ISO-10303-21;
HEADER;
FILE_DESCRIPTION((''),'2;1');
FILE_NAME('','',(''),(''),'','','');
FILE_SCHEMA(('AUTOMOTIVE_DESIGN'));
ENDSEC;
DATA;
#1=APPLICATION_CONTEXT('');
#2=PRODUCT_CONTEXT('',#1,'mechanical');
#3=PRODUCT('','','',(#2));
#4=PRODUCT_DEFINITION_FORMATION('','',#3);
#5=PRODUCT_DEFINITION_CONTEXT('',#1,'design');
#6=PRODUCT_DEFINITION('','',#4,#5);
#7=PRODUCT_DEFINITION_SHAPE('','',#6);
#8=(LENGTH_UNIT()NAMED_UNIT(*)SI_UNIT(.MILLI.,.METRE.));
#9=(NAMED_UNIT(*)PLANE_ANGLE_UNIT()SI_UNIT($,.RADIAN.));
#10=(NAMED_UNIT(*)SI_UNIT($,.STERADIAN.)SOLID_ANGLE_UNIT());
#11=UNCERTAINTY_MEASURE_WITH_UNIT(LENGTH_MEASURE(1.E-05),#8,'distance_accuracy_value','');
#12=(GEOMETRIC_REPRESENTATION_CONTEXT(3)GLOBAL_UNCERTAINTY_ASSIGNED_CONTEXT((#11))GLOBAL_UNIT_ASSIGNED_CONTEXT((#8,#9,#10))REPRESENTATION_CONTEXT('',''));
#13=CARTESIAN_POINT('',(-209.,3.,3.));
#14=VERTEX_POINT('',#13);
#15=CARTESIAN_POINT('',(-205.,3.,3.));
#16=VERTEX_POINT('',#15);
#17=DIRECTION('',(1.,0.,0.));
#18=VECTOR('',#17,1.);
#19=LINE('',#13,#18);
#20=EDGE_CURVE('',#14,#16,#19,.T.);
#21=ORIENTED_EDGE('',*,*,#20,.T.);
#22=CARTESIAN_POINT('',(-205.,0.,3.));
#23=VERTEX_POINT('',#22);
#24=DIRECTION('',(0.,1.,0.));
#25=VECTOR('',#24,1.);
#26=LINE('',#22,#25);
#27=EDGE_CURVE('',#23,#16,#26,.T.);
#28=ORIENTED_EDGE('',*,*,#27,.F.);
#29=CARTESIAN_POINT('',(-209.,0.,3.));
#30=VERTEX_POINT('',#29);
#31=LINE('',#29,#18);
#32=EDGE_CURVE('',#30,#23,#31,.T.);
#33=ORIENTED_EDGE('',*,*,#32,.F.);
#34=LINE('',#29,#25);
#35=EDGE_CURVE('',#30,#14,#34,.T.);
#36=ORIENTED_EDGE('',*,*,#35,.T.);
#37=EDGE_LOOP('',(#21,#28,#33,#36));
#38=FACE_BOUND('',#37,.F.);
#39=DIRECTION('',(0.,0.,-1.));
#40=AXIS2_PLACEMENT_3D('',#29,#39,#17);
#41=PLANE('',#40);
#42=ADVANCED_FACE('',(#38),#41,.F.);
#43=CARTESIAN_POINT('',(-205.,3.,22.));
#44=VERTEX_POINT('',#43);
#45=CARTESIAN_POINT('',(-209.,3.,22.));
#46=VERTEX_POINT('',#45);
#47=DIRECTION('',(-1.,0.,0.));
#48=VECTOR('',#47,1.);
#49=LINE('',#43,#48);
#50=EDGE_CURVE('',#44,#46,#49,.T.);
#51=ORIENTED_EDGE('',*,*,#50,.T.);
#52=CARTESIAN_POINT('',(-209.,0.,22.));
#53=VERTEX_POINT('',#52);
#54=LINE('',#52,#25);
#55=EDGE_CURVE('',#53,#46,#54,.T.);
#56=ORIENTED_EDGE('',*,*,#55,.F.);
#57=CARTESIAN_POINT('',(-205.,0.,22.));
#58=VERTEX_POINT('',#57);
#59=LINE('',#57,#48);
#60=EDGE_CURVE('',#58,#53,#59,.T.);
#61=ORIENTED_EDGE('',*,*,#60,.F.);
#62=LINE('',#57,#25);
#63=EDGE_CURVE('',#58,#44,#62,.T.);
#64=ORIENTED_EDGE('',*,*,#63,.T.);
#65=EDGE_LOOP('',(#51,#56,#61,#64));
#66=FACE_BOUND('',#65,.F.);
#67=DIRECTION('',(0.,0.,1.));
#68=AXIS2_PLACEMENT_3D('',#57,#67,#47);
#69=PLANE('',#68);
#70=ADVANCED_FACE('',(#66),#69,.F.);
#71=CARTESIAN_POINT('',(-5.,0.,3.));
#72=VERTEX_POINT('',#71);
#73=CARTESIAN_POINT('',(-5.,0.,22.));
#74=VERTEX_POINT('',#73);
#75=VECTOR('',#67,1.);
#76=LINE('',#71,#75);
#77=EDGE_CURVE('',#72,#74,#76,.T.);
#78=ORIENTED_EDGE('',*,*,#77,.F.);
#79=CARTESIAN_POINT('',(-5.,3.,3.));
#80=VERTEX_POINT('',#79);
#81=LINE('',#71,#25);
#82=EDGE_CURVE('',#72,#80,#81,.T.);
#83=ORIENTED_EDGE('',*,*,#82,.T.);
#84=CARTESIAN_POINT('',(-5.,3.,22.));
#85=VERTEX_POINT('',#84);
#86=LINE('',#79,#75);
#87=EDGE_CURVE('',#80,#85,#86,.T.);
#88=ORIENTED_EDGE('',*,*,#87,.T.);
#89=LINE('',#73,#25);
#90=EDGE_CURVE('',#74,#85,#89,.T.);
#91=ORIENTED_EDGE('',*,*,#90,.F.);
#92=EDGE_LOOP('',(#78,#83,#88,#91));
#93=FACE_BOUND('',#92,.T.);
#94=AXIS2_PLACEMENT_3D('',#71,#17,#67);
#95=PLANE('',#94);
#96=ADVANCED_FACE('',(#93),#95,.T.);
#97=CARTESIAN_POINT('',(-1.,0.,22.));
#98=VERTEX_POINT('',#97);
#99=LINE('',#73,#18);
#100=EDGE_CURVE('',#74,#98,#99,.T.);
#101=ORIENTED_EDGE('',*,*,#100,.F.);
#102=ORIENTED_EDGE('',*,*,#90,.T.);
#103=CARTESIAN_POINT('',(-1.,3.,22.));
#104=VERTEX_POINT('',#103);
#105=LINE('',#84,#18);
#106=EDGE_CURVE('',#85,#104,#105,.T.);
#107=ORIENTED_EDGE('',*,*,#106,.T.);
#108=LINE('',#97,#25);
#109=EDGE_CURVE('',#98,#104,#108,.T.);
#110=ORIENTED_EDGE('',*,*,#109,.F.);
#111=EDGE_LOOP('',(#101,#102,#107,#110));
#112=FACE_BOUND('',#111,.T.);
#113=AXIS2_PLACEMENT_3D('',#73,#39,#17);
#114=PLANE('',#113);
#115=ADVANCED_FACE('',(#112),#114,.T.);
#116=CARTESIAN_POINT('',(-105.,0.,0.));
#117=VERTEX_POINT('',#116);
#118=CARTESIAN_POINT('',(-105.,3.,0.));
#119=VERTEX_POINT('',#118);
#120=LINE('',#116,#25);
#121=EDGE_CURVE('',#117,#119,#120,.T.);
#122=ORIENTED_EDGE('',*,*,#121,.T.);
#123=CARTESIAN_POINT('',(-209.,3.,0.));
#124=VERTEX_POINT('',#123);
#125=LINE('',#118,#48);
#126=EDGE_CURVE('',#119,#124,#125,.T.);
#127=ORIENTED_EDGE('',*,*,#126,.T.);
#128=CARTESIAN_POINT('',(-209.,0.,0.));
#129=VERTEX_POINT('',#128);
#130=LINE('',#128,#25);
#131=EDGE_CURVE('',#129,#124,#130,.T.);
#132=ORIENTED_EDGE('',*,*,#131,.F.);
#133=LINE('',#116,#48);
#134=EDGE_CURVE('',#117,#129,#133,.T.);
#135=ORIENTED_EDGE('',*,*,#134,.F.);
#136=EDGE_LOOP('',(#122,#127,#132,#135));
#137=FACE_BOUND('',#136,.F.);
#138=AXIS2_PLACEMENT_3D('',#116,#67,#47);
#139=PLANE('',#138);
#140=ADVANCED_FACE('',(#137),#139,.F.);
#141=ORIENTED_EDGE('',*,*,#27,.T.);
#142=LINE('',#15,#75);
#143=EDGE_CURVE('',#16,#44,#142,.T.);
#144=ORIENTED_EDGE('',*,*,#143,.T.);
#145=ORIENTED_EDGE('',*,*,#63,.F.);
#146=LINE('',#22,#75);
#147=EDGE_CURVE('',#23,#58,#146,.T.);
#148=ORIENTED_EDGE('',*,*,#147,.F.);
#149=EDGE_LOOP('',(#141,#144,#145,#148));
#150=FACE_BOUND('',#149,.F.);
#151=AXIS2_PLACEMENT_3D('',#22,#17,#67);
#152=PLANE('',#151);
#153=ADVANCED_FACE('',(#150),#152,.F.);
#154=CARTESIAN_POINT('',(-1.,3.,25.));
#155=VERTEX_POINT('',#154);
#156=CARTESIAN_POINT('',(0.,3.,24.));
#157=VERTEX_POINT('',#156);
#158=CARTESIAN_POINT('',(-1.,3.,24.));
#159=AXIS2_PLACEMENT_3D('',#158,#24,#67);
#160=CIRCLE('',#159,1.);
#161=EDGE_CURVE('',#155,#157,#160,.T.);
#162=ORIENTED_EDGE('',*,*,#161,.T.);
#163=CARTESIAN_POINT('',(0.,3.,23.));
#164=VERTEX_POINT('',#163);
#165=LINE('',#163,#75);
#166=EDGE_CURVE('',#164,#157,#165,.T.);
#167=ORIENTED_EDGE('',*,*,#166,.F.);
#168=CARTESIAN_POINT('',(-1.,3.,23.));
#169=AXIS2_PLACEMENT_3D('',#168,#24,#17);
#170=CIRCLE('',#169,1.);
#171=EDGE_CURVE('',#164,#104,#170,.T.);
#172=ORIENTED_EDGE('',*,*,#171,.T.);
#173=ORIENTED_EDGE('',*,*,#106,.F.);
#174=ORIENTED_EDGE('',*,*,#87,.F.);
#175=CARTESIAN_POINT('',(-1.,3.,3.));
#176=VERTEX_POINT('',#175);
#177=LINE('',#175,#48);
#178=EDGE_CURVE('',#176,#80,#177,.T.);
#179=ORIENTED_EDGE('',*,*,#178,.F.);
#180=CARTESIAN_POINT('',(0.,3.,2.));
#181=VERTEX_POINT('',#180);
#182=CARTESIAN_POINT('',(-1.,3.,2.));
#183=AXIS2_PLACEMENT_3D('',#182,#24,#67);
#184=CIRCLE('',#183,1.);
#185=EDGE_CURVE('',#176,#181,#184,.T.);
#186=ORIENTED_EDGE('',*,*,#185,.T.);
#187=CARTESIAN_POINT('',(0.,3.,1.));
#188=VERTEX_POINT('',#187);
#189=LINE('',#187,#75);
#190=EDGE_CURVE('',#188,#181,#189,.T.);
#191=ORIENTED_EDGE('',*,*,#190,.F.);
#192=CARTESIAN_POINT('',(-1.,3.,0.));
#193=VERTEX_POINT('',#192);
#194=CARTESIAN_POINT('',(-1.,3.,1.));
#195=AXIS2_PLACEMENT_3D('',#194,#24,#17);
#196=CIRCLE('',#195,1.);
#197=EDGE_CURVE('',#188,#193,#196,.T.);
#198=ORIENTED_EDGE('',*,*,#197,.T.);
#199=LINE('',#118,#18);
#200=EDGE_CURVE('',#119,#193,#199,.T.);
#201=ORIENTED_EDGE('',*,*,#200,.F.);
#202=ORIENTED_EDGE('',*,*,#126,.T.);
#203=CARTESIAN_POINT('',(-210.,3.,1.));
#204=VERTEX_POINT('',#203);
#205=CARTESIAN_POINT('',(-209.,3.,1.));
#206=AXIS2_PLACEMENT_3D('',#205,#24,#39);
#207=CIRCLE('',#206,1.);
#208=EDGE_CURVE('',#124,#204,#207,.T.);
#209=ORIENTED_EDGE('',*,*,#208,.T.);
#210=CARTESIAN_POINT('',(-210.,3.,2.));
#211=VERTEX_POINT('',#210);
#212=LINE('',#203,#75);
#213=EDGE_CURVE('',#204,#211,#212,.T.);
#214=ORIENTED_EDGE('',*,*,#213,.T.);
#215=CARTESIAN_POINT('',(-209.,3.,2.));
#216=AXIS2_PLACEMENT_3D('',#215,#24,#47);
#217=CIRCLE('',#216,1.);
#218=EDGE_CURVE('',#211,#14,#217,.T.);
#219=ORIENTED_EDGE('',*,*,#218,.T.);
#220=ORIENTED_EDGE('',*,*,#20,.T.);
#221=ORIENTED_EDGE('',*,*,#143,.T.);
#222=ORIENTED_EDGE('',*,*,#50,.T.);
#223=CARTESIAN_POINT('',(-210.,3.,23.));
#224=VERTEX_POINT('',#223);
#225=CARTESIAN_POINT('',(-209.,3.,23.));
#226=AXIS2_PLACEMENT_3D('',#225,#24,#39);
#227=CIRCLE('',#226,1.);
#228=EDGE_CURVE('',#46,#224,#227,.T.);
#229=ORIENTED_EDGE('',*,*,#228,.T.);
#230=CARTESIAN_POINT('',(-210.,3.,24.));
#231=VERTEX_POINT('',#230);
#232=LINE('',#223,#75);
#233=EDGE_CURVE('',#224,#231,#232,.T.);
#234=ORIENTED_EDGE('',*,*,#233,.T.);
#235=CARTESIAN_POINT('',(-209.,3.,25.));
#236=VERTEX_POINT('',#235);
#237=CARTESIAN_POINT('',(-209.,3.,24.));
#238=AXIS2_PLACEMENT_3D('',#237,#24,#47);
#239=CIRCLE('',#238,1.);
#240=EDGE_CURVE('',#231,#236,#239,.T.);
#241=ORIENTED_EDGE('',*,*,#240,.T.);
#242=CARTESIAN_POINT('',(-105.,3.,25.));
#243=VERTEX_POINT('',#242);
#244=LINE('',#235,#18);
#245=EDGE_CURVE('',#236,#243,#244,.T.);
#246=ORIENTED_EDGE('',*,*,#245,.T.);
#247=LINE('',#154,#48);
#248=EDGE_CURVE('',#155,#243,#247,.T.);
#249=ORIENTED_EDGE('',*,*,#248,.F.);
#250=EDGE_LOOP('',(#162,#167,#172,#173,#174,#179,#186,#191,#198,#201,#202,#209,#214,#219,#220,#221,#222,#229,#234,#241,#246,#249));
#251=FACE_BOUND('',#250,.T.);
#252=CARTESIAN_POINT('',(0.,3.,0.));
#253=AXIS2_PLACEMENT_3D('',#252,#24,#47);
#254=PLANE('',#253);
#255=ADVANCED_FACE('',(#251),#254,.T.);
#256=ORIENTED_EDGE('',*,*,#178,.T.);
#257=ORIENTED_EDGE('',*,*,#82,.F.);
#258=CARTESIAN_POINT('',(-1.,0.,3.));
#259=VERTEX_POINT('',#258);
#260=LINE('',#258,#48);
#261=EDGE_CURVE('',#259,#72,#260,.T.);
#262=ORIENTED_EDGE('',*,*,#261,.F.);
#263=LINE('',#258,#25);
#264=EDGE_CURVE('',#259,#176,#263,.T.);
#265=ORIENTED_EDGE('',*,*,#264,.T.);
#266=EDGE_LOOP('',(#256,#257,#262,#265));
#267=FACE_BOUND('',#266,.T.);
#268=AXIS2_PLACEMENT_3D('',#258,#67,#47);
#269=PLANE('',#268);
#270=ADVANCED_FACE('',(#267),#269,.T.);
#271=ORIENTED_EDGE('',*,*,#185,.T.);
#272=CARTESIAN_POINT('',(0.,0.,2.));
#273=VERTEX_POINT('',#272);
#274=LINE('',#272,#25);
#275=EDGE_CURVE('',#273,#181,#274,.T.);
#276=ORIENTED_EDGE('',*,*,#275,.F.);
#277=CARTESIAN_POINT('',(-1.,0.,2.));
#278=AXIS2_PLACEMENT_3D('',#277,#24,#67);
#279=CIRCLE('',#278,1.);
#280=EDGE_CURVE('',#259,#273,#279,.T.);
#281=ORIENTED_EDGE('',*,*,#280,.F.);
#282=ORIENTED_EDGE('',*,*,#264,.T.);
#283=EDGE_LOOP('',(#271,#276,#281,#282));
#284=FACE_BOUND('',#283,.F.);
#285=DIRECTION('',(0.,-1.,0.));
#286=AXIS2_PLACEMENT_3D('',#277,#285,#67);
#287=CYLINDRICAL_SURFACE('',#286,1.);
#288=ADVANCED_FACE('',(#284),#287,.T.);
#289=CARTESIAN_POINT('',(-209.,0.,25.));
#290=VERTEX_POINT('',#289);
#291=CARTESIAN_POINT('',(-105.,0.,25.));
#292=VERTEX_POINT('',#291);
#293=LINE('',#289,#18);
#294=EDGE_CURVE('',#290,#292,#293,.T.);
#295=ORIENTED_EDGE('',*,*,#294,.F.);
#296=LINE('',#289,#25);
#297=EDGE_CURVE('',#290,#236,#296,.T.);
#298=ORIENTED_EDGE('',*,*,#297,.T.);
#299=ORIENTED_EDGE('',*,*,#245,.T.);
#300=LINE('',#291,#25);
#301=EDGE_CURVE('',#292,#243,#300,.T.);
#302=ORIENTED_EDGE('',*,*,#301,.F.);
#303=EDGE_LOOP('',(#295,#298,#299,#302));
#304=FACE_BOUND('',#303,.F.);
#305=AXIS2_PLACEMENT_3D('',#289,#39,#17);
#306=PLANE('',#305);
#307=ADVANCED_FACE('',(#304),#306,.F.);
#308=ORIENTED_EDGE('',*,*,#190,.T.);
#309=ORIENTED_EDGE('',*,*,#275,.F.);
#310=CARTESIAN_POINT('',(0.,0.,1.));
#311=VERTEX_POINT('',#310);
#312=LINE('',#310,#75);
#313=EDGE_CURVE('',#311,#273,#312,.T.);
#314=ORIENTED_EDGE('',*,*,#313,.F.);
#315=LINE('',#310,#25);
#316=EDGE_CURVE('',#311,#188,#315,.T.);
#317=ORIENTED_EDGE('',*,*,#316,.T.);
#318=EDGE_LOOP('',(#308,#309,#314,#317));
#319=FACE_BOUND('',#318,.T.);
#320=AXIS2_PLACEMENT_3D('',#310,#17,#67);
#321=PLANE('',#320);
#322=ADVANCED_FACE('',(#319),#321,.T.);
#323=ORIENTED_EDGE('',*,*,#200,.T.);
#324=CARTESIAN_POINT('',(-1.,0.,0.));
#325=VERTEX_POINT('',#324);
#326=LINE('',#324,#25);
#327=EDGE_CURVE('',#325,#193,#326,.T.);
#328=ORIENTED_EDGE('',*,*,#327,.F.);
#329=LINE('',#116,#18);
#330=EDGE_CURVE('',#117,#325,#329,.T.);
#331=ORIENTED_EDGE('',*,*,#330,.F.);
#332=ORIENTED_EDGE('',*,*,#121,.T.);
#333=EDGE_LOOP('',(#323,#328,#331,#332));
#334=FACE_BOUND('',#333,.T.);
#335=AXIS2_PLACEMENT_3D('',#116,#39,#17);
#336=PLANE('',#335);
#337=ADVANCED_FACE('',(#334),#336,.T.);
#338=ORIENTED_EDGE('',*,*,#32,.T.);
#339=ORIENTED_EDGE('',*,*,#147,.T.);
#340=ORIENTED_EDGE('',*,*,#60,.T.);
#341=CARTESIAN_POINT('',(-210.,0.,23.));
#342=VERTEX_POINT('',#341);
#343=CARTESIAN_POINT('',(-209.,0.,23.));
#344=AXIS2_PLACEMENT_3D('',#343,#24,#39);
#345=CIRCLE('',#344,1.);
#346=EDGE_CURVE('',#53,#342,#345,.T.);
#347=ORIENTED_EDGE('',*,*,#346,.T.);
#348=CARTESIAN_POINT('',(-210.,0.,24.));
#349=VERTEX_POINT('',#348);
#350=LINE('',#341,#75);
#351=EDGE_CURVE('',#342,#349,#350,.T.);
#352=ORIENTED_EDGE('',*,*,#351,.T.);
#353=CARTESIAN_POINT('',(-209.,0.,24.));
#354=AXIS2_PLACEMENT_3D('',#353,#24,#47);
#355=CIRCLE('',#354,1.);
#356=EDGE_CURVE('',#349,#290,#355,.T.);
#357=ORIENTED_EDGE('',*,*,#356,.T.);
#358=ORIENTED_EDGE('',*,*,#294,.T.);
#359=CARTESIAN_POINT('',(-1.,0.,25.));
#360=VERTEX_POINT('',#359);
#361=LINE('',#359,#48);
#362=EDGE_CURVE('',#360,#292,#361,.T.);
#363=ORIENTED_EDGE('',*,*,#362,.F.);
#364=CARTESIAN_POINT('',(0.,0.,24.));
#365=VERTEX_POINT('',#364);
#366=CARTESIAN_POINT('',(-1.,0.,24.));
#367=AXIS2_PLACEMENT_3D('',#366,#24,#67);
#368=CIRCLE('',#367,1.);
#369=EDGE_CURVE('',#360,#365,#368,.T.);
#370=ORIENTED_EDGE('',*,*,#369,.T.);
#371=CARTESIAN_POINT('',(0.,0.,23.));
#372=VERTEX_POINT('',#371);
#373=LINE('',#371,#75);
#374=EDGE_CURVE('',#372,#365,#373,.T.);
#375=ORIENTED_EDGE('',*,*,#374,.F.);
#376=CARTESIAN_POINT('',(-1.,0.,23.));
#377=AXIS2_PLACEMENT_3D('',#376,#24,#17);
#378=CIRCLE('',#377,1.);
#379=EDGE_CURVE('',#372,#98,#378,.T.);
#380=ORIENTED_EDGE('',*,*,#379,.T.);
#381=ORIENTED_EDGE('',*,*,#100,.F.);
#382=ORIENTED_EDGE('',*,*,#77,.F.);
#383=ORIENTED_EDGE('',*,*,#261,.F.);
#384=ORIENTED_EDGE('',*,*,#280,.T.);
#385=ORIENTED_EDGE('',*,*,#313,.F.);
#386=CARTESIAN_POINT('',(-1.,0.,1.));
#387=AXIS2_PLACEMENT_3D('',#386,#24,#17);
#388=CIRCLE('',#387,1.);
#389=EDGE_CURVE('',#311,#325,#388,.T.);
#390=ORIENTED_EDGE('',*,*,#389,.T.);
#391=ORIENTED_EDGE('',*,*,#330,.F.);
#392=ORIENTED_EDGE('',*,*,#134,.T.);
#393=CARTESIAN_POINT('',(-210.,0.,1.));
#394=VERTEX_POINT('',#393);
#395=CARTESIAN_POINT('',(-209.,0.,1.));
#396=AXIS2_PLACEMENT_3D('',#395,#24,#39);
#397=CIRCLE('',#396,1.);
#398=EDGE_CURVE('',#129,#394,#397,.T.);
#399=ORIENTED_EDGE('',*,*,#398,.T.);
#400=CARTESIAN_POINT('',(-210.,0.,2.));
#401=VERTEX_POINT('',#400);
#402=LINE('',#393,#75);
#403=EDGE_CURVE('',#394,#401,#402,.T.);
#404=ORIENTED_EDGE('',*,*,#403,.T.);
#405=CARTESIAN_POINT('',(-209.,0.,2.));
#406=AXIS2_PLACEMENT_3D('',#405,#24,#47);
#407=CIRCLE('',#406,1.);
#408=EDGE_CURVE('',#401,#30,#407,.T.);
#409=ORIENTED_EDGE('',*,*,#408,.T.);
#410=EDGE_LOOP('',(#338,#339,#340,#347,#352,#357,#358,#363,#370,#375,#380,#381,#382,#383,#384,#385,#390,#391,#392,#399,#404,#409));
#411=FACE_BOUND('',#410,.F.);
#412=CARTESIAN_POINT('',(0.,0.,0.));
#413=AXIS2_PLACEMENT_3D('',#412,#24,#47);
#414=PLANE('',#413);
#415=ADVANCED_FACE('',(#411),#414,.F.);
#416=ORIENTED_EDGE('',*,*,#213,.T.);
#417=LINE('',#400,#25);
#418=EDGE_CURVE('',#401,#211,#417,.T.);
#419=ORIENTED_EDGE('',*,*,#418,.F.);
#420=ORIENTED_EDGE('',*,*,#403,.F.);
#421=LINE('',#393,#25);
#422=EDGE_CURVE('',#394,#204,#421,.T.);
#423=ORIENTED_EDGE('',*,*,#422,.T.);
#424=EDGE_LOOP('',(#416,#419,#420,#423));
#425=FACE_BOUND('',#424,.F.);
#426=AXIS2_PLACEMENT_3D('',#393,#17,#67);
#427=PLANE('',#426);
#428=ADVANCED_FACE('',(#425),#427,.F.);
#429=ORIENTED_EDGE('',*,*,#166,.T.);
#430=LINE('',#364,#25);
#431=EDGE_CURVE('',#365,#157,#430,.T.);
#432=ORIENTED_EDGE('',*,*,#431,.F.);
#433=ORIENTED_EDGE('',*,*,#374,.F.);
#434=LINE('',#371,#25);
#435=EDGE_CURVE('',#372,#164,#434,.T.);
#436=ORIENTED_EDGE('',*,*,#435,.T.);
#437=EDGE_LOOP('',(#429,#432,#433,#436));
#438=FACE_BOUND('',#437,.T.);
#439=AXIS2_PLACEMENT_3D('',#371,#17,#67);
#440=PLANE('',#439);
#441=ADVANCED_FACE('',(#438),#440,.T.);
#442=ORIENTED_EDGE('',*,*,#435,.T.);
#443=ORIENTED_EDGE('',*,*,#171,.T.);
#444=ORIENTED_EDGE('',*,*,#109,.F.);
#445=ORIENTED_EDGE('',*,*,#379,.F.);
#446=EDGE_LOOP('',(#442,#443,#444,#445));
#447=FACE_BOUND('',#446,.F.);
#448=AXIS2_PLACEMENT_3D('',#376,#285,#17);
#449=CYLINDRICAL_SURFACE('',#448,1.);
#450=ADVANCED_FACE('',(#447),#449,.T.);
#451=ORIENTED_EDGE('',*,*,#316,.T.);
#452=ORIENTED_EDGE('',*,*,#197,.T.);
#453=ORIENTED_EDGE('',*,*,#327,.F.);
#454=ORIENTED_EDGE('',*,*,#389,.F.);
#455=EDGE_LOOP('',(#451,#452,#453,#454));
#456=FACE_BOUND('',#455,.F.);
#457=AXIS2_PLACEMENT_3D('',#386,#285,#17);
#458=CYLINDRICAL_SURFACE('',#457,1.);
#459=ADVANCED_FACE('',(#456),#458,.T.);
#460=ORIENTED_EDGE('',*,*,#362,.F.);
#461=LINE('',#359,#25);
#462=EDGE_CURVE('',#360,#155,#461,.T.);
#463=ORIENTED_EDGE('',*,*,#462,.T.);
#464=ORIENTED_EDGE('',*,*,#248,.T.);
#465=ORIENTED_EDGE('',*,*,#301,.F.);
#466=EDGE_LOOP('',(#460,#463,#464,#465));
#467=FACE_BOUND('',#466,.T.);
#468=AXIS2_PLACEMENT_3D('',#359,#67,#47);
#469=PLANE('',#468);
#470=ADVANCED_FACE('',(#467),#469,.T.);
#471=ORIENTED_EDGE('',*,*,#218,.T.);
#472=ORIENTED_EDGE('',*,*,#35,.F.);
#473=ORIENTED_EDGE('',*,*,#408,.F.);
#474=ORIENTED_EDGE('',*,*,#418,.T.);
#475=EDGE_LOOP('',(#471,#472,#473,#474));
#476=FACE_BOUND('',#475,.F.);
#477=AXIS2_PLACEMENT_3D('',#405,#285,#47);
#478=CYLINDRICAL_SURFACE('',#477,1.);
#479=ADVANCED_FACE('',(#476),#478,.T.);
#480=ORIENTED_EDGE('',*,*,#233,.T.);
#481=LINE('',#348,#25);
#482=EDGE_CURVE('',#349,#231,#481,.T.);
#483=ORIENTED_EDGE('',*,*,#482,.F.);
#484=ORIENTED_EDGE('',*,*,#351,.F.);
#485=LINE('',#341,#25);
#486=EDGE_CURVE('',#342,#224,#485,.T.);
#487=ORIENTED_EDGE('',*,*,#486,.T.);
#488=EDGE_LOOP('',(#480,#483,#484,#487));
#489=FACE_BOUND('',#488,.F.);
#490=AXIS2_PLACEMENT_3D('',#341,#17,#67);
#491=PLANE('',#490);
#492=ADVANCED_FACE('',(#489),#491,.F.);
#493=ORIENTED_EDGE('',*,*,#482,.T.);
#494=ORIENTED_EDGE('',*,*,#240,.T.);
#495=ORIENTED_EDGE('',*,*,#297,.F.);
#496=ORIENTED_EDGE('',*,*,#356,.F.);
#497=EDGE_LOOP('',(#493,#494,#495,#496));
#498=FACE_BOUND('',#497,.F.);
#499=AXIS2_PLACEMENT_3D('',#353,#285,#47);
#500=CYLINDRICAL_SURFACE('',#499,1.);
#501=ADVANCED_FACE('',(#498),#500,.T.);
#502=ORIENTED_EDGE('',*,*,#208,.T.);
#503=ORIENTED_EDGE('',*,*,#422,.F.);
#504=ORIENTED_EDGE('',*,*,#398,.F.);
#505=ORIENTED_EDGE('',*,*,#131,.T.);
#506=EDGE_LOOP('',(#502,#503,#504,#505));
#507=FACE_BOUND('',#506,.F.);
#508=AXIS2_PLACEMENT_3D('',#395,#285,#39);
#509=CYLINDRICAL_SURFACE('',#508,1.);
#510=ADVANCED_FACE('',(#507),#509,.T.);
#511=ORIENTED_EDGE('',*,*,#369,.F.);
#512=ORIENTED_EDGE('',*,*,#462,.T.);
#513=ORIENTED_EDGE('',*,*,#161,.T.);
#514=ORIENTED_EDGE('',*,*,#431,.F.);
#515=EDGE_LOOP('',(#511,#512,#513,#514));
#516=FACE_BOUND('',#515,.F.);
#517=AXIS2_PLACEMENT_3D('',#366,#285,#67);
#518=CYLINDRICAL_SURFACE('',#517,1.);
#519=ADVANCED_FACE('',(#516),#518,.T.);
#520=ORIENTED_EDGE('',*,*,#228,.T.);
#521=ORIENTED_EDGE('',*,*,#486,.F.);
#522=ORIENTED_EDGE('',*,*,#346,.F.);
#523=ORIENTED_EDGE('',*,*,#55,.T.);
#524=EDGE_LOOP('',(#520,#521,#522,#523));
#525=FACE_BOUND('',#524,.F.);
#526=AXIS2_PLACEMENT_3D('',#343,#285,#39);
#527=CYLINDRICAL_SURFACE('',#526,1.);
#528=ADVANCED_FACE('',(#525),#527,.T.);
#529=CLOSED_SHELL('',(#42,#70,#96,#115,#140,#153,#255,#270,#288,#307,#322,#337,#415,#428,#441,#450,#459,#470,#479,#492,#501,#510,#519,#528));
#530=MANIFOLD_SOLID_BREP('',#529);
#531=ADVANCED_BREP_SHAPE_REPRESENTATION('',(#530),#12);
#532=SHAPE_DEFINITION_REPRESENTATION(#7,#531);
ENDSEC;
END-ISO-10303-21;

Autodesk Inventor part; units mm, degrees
ref_plane "YZ Plane" through (0, 0, 0) normal (1, 0, 0) x (0, 1, 0)
ref_plane "XZ Plane" through (0, 0, 0) normal (0, 1, 0) x (-1, 0, 0)
ref_plane "XY Plane" through (0, 0, 0) normal (0, 0, 1) x (1, 0, 0)
sketch "Sketch1" plane through (0, 0, 0) normal (0, 1, 0) x (-1, 0, 0)
  line L0 (0, 1) -> (0, 2)
  line L1 (1, 3) -> (5, 3)
  line L2 (5, 22) -> (1, 22)
  line L3 (0, 23) -> (0, 24)
  line L4 (1, 25) -> (105, 25)
  line L5 (105, 25) -> (105, 0) construction
  line L6 (105, 0) -> (1, 0)
  line L7 (5, 3) -> (5, 22)
  arc A0 (1, 25) -> (0, 24) centre (1, 24) ccw
  arc A1 (0, 23) -> (1, 22) centre (1, 23) ccw
  arc A2 (1, 3) -> (0, 2) centre (1, 2) ccw
  arc A3 (0, 1) -> (1, 0) centre (1, 1) ccw
  line L8 (210, 1) -> (210, 2)
  line L9 (209, 3) -> (205, 3)
  line L10 (205, 22) -> (209, 22)
  line L11 (210, 23) -> (210, 24)
  line L12 (209, 25) -> (105, 25)
  line L13 (105, 0) -> (209, 0)
  line L14 (196.5, 16) -> (105, 16) construction
  line L15 (205, 3) -> (205, 22)
  arc A4 (210, 24) -> (209, 25) centre (209, 24) ccw
  arc A5 (209, 22) -> (210, 23) centre (209, 23) ccw
  arc A6 (210, 2) -> (209, 3) centre (209, 2) ccw
  arc A7 (209, 0) -> (210, 1) centre (209, 1) ccw
  point P0 (0, 0)
  point P1 (0, 3)
  point P2 (0, 22)
  point P3 (0, 25)
  point P4 (210, 0)
  point P5 (210, 3)
  point P6 (210, 22)
  point P7 (210, 25)
  dimension "d0" = 3
  dimension "d1" = 5
  dimension "d3" = 3
  dimension "d4" = 105
  dimension "d5" = 5
  dimension "d15" = 1
  dimension "d18" = 25
extrude "Extrusion1" add sketch "Sketch1" along normal blind 3
properties part number "Fin"
